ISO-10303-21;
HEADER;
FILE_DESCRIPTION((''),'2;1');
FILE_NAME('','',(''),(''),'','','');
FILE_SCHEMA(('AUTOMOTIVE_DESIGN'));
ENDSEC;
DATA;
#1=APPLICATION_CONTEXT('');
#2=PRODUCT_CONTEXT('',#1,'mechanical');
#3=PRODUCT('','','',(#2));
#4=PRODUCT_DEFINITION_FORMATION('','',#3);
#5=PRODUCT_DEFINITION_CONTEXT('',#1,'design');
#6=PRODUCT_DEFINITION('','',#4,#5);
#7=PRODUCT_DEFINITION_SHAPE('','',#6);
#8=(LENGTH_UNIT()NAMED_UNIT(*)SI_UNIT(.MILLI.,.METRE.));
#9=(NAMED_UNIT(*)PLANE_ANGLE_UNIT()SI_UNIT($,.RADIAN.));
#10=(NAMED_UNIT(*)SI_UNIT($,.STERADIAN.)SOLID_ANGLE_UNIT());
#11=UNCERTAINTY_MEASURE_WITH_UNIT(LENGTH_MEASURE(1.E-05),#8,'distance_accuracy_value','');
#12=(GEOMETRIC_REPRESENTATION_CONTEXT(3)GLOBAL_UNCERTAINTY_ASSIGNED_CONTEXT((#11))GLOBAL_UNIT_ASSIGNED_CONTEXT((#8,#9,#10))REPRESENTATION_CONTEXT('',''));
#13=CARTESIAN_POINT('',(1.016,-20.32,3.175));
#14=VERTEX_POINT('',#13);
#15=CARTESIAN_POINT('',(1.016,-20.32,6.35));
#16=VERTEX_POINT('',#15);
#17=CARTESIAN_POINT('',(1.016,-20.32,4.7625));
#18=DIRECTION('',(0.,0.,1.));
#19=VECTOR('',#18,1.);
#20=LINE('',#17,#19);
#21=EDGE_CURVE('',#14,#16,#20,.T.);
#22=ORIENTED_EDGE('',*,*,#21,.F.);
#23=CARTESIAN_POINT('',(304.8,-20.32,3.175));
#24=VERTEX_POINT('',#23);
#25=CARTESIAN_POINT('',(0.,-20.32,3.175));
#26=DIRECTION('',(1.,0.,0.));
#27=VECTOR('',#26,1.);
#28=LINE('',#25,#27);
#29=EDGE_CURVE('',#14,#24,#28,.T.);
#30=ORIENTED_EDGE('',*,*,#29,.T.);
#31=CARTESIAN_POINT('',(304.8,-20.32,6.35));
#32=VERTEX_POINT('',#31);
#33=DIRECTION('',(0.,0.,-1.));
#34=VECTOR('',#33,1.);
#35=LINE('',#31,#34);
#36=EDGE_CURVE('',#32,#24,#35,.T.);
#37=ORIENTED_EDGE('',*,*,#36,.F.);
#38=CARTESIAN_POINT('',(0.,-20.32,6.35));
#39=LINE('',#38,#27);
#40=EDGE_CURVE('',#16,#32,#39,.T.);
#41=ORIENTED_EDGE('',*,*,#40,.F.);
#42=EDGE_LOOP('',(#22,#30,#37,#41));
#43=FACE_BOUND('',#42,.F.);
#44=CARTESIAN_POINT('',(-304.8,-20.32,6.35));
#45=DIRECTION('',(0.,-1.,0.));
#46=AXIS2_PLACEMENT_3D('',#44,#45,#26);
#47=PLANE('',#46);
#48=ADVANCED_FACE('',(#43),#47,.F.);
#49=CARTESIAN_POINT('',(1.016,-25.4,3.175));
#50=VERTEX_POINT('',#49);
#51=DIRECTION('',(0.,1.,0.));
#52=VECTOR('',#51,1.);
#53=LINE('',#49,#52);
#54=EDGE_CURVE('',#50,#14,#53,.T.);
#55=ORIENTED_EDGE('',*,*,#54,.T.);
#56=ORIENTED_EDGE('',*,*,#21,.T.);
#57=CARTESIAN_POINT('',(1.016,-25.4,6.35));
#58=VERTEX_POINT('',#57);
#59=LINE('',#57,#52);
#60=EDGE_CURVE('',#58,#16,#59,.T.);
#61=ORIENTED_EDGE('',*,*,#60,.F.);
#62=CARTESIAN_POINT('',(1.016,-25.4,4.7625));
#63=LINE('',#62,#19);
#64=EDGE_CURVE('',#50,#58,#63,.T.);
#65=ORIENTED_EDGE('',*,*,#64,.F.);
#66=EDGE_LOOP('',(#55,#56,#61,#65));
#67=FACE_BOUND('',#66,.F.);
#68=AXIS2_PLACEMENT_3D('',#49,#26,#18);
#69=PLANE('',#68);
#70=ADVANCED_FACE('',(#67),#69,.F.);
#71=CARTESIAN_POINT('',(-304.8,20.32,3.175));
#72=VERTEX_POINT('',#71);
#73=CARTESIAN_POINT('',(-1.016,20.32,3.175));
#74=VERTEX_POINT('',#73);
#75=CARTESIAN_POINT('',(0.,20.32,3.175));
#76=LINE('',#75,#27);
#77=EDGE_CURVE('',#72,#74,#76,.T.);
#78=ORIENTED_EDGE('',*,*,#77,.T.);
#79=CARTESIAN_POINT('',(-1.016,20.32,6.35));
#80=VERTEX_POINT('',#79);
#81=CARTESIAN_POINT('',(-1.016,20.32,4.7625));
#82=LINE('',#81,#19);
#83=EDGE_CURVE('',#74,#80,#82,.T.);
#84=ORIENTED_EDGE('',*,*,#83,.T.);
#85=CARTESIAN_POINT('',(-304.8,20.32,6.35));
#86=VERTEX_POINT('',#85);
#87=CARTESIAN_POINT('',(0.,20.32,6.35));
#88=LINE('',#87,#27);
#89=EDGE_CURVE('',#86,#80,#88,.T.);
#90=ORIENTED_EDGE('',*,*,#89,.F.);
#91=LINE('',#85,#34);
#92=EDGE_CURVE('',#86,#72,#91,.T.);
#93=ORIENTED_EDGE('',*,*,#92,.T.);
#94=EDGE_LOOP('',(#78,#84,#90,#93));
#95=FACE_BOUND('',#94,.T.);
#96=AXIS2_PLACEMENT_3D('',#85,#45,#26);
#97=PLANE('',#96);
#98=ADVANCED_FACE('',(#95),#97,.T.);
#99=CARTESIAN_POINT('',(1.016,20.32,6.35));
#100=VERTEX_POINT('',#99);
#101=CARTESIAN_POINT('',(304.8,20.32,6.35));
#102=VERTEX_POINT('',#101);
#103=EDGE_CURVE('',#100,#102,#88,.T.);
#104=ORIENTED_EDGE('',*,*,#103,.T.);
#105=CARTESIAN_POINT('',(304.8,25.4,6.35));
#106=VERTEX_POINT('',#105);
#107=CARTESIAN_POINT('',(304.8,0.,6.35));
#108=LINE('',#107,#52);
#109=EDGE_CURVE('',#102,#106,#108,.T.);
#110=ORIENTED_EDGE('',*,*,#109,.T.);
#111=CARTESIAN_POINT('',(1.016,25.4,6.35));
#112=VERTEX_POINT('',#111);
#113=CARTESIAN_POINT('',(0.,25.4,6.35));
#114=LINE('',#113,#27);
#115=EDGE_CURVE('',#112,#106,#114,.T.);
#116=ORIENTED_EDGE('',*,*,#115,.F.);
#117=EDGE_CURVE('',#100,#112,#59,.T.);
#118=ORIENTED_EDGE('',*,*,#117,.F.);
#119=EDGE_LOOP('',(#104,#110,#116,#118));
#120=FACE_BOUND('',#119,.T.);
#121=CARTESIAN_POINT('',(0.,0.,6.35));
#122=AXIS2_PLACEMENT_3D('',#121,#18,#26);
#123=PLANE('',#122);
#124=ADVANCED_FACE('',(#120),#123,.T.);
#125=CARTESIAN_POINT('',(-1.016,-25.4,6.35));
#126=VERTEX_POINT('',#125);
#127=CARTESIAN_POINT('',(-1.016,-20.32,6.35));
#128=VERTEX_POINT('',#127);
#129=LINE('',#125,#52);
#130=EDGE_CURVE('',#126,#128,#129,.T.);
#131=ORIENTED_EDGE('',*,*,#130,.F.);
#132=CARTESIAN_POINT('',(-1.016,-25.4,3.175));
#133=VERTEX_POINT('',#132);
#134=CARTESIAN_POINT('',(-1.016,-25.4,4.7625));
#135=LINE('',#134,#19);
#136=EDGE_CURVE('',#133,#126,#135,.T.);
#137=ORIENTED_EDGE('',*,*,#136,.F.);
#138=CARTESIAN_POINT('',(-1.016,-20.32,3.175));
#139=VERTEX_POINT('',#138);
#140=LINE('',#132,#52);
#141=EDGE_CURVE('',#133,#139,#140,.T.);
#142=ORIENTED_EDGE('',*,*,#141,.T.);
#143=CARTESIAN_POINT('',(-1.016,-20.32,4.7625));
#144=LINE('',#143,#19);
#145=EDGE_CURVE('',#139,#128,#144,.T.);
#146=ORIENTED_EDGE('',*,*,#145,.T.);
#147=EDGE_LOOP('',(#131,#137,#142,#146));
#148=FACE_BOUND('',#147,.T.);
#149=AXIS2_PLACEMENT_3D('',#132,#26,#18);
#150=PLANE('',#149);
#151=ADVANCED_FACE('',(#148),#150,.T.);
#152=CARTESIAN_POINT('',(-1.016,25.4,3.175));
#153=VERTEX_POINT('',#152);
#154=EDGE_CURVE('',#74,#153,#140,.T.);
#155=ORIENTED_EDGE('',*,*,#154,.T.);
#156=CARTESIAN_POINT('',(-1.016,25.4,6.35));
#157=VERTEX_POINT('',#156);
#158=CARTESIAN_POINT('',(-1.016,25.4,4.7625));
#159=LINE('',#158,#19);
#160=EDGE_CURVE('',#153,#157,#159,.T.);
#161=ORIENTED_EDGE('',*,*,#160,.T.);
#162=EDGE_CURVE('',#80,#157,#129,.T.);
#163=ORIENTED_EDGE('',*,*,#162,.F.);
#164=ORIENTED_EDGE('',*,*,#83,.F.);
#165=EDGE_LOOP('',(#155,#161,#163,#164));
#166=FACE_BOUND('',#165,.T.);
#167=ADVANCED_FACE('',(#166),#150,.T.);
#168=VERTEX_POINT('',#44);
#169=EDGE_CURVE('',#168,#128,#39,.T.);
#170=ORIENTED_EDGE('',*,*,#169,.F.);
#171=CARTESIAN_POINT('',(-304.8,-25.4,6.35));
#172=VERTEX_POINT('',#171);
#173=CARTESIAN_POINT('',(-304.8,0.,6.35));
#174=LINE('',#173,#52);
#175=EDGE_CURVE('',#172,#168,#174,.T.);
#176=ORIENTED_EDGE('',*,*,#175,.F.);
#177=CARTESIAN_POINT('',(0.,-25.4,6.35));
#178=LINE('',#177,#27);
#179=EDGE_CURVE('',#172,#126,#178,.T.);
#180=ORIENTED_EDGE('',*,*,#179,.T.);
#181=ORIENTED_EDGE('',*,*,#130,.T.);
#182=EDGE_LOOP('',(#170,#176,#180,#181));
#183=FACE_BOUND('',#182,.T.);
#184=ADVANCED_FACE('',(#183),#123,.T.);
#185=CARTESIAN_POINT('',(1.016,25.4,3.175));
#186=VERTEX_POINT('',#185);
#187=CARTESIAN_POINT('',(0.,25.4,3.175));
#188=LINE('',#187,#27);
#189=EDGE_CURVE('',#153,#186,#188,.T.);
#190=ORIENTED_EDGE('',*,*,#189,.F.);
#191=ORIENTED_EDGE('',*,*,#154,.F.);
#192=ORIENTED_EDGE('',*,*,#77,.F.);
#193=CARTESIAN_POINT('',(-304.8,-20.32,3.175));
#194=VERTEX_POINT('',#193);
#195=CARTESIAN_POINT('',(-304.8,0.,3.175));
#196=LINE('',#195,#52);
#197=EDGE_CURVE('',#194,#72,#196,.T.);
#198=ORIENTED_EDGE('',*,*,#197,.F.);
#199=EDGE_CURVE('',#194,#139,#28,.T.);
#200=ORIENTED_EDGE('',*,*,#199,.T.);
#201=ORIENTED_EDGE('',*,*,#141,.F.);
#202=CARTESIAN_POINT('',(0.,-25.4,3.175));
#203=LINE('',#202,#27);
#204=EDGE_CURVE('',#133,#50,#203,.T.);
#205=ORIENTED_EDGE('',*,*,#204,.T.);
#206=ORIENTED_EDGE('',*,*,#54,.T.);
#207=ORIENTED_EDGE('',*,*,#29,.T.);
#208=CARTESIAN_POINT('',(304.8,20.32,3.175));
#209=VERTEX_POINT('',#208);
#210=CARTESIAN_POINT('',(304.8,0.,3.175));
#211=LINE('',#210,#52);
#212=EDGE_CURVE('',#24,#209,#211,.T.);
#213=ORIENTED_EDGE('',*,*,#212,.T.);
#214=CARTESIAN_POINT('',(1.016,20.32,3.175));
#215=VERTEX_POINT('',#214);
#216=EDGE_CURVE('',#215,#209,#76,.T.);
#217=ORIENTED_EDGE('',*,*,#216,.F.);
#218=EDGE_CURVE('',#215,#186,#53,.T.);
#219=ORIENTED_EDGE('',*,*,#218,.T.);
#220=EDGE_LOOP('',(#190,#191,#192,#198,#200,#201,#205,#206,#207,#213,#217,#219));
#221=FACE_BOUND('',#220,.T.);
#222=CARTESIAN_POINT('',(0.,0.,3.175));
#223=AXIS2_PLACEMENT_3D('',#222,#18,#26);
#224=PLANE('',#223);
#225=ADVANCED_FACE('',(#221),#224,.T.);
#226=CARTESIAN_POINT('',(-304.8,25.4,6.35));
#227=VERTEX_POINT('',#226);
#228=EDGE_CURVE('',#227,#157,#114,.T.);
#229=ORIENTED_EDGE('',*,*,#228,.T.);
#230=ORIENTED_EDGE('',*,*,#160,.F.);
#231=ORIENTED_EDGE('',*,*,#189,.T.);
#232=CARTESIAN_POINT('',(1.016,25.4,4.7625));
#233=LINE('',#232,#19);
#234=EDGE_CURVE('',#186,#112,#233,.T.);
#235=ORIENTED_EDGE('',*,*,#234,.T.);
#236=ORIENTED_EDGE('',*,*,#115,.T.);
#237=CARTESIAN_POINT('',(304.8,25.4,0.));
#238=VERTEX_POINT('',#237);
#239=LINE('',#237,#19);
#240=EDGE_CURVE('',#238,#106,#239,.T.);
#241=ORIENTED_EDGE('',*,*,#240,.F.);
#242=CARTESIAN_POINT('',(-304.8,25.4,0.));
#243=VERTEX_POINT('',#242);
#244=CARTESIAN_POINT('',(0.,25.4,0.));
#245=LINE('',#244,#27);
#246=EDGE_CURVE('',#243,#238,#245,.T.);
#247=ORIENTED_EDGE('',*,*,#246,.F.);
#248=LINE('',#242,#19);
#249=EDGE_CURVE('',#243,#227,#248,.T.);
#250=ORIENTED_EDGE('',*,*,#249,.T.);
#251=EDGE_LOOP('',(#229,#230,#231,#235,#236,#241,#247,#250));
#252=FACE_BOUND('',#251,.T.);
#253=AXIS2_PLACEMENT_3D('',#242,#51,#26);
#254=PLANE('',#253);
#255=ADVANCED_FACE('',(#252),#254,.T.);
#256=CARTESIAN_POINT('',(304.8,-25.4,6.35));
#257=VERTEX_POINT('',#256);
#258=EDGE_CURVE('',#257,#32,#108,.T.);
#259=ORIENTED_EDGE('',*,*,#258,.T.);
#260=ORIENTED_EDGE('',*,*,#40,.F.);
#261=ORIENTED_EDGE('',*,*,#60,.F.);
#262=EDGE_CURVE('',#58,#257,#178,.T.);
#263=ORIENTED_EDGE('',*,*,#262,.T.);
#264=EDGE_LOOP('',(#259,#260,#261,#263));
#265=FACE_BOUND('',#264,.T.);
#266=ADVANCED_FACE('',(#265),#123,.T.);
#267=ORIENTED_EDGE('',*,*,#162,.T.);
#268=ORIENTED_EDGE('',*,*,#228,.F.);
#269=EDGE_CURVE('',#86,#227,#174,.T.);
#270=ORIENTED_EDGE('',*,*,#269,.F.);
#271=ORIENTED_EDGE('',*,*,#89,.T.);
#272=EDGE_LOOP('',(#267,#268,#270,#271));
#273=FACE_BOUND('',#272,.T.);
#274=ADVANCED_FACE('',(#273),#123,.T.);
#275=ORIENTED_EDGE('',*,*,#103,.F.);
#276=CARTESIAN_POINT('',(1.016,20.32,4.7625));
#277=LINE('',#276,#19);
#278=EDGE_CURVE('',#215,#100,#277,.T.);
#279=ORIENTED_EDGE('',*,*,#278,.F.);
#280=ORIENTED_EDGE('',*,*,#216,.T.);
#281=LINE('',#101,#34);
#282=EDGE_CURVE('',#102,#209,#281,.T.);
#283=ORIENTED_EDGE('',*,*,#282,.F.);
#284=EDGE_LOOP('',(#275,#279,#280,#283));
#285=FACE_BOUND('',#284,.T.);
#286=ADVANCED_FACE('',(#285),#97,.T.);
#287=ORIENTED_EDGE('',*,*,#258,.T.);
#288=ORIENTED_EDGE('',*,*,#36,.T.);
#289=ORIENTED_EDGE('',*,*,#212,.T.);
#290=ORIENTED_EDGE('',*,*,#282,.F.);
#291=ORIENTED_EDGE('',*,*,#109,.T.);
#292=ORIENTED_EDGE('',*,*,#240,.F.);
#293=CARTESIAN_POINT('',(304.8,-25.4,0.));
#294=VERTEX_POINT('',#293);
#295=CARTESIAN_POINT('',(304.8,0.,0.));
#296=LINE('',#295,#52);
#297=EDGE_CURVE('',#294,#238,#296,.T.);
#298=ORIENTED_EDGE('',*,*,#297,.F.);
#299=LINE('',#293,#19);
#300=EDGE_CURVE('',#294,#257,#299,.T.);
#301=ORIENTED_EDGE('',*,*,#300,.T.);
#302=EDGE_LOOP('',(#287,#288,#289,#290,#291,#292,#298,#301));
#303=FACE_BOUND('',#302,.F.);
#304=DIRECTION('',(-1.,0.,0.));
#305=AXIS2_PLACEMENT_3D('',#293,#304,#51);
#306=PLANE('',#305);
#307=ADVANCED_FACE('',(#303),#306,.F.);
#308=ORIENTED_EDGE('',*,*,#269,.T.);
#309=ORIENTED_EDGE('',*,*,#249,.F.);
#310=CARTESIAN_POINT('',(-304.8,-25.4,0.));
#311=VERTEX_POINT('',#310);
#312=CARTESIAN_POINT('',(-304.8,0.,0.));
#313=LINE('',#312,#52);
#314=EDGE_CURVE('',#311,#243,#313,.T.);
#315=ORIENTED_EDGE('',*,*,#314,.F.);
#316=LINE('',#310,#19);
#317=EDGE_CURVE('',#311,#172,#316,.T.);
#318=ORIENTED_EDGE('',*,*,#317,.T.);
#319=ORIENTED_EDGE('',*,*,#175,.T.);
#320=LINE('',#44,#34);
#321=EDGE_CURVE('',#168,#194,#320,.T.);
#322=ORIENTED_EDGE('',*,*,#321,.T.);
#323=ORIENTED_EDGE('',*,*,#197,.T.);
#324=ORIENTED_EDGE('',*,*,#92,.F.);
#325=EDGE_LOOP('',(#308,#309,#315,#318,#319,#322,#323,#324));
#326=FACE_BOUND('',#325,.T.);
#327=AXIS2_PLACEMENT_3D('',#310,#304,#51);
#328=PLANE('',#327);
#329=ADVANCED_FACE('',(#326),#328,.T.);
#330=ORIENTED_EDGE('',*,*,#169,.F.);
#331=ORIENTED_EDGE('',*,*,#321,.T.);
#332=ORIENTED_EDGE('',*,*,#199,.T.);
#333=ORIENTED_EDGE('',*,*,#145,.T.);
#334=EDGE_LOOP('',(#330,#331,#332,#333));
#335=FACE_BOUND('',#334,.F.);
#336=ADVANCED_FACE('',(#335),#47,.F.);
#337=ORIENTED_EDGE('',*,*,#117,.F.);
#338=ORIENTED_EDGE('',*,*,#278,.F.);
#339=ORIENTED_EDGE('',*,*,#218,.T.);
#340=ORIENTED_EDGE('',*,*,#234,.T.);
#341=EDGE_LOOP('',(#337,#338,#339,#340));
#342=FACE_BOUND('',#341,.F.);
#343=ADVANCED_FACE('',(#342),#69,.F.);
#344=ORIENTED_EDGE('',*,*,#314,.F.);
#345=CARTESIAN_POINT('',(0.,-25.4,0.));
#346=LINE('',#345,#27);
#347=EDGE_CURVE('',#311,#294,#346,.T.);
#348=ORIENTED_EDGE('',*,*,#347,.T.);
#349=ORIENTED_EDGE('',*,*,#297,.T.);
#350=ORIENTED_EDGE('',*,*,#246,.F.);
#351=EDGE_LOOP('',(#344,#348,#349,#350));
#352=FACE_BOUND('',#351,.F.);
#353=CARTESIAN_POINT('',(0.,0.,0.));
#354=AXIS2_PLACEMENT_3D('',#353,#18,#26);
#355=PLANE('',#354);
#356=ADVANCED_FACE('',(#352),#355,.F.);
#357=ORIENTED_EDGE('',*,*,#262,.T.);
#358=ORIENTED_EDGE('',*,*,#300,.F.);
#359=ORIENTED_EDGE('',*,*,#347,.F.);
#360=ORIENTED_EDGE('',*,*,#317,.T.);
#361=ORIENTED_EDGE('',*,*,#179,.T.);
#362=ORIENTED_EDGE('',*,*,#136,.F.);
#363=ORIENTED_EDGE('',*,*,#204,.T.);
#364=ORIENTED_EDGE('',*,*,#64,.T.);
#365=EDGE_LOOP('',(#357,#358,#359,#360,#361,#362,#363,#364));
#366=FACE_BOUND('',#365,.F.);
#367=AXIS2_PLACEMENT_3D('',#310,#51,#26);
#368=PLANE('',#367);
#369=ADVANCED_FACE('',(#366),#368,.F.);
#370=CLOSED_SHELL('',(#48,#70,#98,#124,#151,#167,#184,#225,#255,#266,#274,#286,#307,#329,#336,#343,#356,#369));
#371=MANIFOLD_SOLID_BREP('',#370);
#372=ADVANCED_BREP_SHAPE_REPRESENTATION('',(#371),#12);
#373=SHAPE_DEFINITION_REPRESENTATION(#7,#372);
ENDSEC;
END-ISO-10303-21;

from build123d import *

# Parameters (mm, degrees)
F0_W     = 609.6
F0_H     = 50.8
F1_DEPTH = 6.35
F2_W     = 609.6
F2_H     = 40.64
F3_DEPTH = 3.175
F4_W     = 2.032
F4_H     = 3.175
F5_DEPTH = 50.8


with BuildPart() as f1:
    # F0 (on Top) → F1 (new body)
    with BuildSketch(Plane.XY):
        Rectangle(F0_W, F0_H)
    extrude(amount=F1_DEPTH)

    # F2 (on face) → F3 (cut)
    with BuildSketch(Plane.XY.offset(6.35)):
        Rectangle(F2_W, F2_H)
    extrude(amount=-F3_DEPTH, mode=Mode.SUBTRACT)

    # F4 (on face) → F5 (cut, through all)
    with BuildSketch(Plane.XZ.offset(25.4)):
        with Locations((0, 4.7625)):
            Rectangle(F4_W, F4_H)
    extrude(amount=-F5_DEPTH, mode=Mode.SUBTRACT)


solid = f1.part
